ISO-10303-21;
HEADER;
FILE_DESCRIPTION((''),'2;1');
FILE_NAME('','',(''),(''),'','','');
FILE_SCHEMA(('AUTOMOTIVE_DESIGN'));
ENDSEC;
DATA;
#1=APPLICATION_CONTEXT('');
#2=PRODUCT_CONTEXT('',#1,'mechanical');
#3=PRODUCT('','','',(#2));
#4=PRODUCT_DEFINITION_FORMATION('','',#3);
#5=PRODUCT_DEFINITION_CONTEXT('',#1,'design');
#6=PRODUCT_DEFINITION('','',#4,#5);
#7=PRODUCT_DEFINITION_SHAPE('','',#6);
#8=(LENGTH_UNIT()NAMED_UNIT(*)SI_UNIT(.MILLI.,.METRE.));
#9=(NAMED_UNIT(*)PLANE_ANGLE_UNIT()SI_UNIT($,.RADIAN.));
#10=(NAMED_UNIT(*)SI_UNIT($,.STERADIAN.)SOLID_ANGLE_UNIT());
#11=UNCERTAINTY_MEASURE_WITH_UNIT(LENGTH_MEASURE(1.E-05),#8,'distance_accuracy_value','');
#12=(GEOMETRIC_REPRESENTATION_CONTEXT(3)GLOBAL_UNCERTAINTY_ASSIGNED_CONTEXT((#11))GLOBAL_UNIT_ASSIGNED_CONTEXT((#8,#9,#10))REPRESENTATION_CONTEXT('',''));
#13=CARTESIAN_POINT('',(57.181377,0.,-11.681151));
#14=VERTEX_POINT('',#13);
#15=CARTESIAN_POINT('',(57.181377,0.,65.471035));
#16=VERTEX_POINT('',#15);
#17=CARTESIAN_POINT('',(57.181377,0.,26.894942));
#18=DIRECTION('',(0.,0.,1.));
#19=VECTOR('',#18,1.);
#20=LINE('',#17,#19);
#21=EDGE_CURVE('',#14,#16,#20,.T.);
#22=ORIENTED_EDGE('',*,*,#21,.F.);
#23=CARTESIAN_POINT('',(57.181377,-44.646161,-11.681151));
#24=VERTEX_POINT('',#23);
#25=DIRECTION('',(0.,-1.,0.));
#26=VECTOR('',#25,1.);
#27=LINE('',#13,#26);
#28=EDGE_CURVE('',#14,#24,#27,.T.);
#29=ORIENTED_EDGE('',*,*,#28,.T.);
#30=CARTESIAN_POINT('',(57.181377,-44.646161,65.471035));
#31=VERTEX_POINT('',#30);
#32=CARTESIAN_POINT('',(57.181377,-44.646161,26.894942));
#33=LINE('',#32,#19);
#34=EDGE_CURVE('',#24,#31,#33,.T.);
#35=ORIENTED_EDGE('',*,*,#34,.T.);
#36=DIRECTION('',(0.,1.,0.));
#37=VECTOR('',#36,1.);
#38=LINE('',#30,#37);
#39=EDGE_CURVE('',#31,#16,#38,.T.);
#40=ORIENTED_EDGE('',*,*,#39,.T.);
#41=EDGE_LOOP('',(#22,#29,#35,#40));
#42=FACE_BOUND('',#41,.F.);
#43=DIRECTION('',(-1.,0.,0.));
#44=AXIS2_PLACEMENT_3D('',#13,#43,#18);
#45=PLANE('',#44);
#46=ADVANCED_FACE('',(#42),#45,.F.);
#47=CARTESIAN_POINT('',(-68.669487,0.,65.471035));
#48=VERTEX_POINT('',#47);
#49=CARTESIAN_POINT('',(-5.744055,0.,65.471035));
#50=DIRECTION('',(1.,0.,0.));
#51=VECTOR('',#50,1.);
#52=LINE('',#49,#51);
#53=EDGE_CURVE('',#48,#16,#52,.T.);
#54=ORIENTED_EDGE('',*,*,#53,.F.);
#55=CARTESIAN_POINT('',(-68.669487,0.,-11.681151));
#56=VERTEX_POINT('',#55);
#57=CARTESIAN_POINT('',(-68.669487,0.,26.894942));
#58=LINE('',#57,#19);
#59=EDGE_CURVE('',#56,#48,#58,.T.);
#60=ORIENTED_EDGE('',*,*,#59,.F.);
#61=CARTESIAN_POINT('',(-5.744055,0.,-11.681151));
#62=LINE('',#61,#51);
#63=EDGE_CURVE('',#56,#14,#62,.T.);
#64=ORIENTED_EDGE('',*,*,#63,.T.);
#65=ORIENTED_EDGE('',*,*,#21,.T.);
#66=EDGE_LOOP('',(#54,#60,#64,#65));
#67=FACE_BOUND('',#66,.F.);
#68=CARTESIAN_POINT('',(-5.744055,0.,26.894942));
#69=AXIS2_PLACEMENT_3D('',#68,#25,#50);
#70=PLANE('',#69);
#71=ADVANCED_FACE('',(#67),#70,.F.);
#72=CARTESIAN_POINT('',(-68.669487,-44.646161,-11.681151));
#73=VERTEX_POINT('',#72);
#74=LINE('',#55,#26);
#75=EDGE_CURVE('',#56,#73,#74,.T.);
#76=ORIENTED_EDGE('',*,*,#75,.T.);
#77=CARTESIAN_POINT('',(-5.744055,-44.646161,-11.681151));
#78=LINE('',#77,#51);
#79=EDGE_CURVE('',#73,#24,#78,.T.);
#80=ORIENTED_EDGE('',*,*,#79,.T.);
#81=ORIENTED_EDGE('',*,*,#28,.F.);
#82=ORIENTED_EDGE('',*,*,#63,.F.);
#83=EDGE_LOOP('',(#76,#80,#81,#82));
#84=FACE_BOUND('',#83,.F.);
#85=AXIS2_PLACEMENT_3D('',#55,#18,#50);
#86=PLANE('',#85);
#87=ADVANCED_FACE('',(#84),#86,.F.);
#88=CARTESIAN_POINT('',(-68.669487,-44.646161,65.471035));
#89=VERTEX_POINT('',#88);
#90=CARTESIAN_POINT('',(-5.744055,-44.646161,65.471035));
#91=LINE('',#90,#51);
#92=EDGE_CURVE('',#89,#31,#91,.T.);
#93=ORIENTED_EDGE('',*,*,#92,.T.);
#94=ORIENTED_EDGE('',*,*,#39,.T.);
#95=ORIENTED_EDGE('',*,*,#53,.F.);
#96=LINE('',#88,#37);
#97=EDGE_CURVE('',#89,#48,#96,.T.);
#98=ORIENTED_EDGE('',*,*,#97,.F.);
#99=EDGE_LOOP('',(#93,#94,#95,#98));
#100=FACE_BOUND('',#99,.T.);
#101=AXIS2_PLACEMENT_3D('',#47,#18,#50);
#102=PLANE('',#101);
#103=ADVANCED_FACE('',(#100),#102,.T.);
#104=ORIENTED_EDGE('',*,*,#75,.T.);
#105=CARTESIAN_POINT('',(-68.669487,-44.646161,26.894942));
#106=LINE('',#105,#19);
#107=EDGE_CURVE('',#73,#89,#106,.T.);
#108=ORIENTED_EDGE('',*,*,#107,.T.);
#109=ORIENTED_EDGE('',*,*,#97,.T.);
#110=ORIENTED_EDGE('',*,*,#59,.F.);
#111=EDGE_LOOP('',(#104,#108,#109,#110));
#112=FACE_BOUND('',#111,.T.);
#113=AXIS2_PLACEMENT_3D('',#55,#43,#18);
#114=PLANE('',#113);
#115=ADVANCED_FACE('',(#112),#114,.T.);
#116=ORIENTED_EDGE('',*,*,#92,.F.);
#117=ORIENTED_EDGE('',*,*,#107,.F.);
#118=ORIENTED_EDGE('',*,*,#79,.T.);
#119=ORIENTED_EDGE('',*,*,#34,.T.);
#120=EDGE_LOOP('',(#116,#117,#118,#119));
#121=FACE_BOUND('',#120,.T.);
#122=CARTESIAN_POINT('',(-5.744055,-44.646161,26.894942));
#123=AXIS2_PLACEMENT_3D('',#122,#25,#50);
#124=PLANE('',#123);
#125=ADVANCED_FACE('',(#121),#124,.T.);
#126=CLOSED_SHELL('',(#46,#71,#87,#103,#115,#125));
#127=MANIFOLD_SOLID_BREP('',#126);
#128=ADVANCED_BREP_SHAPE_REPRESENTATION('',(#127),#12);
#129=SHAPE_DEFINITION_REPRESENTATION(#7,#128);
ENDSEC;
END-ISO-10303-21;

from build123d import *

# Parameters (mm, degrees)
F1_W     = 125.850864
F1_H     = 77.152186
F2_DEPTH = 25.4
F5_W     = 125.850864
F5_H     = 77.152186
F0_W     = 71.593196
F0_H     = 22.894516
F3_DEPTH = 44.646161


with BuildPart() as f2:
    # F1 (on Front) → F2 (new body)
    with BuildSketch(Plane.XZ):
        with Locations((-5.744055, 26.894942)):
            Rectangle(F1_W, F1_H)
    extrude(amount=F2_DEPTH)

    # F5 (on face) + F0 (on Front) → F3 (join)
    with BuildSketch(Plane.XZ):
        with Locations((-5.744055, 26.894942)):
            Rectangle(F5_W, F5_H)
    with BuildSketch(Plane.XZ):
        with Locations((-5.744055, 26.894942)):
            Rectangle(F0_W, F0_H)
    extrude(amount=F3_DEPTH)


solid = f2.part
